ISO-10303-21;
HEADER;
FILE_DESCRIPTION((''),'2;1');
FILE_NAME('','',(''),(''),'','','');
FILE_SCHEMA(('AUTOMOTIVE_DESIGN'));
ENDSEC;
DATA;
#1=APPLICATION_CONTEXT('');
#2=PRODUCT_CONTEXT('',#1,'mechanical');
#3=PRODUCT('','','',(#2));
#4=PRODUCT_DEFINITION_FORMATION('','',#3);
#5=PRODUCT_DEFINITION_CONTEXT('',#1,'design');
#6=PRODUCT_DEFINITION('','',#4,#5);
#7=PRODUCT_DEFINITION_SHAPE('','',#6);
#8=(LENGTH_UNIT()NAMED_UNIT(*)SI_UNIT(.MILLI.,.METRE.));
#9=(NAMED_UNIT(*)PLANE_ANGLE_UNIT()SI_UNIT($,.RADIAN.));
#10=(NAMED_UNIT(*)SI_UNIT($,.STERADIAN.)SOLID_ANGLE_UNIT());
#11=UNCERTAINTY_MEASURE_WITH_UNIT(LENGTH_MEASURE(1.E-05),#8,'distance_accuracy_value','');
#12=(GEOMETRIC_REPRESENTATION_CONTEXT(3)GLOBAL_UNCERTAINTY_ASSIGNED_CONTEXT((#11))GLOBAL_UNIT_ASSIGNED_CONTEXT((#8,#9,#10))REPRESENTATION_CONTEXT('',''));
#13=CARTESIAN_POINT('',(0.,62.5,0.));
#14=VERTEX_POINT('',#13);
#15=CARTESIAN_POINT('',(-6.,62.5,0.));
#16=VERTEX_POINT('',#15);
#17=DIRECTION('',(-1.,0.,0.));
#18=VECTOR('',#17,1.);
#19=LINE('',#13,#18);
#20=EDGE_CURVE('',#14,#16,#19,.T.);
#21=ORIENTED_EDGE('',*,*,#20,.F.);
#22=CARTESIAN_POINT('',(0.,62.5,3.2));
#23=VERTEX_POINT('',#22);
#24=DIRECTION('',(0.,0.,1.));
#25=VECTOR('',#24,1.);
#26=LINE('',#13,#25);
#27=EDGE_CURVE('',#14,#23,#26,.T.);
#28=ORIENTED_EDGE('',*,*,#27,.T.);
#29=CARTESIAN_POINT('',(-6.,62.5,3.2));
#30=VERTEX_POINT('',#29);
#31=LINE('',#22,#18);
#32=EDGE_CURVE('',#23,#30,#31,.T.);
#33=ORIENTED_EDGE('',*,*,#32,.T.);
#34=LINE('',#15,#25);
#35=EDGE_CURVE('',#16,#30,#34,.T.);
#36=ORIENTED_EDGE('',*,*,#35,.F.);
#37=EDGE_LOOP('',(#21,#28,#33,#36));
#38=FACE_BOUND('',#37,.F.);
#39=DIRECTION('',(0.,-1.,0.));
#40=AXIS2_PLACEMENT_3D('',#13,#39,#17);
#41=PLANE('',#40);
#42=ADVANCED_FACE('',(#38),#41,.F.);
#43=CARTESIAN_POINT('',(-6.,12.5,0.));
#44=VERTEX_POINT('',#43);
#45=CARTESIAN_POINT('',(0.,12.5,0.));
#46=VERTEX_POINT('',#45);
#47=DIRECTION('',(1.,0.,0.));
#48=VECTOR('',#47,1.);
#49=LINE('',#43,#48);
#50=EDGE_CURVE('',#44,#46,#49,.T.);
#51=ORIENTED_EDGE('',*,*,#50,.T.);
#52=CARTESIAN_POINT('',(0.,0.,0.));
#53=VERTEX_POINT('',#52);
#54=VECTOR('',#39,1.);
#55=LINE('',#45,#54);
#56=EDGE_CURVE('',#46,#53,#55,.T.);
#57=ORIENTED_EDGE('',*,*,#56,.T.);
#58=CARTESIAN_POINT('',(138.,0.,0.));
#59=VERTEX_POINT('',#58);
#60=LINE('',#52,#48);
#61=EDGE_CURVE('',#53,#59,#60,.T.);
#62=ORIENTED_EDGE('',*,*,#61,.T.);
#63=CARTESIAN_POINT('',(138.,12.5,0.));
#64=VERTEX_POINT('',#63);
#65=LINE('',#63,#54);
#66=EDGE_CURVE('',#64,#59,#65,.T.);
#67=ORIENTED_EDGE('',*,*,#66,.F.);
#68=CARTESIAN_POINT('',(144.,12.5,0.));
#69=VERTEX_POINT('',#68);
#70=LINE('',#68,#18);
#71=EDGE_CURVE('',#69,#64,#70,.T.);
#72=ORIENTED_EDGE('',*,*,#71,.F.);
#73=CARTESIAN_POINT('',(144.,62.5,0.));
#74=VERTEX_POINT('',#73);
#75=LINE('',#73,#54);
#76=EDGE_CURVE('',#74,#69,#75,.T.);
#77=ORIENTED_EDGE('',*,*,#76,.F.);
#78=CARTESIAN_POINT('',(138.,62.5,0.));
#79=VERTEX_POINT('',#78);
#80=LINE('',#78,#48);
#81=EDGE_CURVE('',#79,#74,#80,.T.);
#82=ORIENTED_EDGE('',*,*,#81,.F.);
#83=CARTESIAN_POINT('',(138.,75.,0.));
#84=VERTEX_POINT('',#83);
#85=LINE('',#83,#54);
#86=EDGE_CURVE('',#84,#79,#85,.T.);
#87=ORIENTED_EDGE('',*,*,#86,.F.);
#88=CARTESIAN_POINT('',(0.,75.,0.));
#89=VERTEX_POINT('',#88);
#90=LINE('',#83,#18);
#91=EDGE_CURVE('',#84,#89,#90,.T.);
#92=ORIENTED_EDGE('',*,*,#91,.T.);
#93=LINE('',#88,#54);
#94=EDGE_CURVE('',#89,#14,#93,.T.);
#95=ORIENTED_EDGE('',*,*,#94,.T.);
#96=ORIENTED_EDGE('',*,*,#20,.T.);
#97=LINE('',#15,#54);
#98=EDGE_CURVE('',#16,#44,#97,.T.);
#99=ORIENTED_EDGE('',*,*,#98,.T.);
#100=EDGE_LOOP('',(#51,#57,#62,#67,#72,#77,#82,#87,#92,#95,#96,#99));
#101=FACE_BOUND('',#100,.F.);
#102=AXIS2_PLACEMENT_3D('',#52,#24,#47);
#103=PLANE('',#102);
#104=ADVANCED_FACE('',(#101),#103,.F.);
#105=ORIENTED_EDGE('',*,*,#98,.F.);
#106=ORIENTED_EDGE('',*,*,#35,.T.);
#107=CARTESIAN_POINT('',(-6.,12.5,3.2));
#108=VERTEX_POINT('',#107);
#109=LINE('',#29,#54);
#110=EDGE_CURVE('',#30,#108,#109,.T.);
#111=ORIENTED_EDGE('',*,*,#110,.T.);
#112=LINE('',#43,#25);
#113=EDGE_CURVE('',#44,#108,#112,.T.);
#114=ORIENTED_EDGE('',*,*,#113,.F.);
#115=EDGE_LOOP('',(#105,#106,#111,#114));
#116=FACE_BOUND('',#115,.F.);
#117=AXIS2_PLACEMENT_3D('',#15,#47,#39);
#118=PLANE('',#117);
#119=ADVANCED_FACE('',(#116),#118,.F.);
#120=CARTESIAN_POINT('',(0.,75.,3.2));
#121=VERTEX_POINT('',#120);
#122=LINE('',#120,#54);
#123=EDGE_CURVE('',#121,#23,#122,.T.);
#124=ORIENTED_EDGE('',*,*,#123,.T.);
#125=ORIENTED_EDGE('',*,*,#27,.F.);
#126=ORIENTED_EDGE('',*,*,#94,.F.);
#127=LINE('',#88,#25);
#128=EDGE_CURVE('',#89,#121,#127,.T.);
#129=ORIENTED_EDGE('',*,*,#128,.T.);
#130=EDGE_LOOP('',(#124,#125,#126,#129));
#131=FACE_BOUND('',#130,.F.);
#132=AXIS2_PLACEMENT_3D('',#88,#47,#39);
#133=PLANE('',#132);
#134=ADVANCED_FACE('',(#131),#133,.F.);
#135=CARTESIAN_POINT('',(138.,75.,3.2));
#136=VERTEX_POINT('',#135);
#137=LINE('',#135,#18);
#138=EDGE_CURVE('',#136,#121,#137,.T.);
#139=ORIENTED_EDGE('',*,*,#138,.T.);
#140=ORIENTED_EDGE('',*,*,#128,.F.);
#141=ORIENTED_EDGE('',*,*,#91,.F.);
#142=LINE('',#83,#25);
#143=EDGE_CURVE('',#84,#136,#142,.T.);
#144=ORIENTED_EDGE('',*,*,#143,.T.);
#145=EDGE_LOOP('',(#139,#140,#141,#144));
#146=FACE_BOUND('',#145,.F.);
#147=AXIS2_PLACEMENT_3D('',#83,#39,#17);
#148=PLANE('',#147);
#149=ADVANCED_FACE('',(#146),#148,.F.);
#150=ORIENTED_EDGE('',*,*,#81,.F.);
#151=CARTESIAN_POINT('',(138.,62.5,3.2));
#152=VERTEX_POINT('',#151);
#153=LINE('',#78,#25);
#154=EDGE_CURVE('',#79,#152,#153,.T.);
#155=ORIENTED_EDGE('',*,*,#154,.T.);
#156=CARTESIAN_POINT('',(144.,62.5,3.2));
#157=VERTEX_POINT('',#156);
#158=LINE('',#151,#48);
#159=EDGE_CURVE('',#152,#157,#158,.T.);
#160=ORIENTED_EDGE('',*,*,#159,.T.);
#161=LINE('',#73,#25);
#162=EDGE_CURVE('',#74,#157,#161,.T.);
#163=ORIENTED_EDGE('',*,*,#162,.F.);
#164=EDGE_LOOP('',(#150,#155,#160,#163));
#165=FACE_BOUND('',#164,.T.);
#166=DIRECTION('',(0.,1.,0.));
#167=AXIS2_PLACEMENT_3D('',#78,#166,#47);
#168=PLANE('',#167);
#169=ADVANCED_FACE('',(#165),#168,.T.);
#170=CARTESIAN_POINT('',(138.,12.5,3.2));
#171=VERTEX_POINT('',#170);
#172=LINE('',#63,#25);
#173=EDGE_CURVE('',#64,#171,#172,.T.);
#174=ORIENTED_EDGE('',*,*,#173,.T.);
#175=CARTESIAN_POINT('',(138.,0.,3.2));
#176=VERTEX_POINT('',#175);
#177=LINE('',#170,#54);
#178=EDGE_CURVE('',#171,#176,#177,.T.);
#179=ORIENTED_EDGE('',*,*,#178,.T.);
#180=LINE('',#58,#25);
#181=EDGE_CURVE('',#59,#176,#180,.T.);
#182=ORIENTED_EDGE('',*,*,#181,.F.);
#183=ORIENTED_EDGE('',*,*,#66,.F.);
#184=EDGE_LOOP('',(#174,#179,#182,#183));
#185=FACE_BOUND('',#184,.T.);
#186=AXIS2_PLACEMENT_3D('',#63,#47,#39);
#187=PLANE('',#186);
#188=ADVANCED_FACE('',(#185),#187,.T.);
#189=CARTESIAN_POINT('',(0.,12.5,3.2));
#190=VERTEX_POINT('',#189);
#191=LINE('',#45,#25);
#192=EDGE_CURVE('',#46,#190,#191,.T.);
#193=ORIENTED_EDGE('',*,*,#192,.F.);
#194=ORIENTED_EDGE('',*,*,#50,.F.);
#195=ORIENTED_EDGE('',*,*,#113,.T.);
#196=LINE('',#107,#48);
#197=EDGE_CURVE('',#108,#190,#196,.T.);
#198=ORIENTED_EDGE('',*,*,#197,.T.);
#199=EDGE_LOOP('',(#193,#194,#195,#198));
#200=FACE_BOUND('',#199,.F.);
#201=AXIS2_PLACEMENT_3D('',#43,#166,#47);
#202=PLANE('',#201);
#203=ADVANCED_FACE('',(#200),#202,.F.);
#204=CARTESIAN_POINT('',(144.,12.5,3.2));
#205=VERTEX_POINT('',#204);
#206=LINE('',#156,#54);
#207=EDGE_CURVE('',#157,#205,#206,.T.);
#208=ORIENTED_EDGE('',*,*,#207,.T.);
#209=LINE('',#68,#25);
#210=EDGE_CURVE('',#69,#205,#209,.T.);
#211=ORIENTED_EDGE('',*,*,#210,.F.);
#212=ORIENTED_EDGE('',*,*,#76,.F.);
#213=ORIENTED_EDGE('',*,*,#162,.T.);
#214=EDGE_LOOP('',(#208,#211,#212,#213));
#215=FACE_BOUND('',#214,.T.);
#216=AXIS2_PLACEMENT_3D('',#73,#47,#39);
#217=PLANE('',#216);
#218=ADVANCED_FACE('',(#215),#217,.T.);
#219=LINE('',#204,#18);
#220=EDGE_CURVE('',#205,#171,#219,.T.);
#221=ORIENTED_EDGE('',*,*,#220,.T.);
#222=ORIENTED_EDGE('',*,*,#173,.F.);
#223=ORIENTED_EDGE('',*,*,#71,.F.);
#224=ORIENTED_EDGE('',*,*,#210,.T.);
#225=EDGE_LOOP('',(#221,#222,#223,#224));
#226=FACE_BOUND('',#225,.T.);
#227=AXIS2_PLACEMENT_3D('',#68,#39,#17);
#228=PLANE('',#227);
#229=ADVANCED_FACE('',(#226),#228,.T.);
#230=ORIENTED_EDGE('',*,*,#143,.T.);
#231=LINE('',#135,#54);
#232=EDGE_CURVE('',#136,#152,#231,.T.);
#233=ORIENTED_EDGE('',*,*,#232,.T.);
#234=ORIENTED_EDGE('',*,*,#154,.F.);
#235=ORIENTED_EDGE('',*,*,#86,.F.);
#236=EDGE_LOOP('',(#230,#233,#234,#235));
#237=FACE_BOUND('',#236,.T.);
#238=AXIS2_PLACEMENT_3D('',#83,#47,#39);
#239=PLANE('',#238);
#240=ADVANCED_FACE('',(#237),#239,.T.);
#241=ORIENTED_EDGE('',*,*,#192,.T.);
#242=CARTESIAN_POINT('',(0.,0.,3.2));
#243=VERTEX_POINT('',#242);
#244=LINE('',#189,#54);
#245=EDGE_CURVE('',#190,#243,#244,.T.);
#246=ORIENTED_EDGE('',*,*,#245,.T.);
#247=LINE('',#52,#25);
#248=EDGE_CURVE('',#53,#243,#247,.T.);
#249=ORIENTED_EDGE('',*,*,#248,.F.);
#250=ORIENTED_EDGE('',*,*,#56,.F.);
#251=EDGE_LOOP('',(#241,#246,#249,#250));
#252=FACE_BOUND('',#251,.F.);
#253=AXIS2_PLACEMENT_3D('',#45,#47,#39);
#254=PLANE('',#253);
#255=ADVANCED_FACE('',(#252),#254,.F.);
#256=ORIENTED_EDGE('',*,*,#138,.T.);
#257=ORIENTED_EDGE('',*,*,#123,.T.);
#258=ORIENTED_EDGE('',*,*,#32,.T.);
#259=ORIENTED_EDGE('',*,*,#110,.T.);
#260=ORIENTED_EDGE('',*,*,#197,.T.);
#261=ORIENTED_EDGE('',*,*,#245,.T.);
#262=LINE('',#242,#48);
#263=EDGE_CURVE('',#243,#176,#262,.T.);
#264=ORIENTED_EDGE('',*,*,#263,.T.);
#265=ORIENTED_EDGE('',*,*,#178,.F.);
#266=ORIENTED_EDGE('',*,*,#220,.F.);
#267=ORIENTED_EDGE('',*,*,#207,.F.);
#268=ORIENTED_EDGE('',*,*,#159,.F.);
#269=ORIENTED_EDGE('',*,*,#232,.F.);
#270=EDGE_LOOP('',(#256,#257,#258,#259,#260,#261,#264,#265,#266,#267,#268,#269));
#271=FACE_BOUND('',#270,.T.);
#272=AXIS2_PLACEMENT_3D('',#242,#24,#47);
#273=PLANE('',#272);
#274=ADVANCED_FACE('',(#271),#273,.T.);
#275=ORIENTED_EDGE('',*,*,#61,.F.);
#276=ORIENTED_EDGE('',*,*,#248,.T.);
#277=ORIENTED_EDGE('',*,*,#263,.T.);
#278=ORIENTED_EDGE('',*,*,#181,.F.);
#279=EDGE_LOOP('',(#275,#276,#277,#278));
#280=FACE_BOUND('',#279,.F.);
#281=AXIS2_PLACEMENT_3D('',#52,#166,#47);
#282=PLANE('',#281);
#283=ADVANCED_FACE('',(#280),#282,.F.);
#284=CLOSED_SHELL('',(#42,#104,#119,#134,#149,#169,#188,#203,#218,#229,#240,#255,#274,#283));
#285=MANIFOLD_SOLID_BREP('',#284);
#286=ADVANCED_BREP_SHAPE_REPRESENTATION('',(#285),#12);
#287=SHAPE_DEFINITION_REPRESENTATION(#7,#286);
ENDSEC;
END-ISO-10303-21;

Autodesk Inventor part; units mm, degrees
ref_plane "YZ Plane" through (0, 0, 0) normal (1, 0, 0) x (0, 1, 0)
ref_plane "XZ Plane" through (0, 0, 0) normal (0, 1, 0) x (-1, 0, 0)
ref_plane "XY Plane" through (0, 0, 0) normal (0, 0, 1) x (1, 0, 0)
sketch "Sketch1" plane through (0, 0, 0) normal (0, 0, 1) x (1, 0, 0)
  line L0 (0, 0) -> (138, 0)
  line L1 (138, 75) -> (0, 75)
  line L2 (0, 75) -> (0, 62.5)
  line L3 (0, 62.5) -> (-6, 62.5)
  line L4 (-6, 62.5) -> (-6, 12.5)
  line L5 (-6, 12.5) -> (0, 12.5)
  line L6 (0, 12.5) -> (0, 0)
  line L7 (138, 75) -> (138, 62.5)
  line L8 (138, 62.5) -> (144, 62.5)
  line L9 (144, 62.5) -> (144, 12.5)
  line L10 (144, 12.5) -> (138, 12.5)
  line L11 (138, 12.5) -> (138, 0)
  dimension "d0" = 75
  dimension "d1" = 138
  dimension "d2" = 50
  dimension "d3" = 50
  dimension "d4" = 12.5
  dimension "d5" = 12.5
  dimension "d10" = 6
  dimension "d11" = 6
extrude "Extrusion1" add sketch "Sketch1" along normal blind 3.2
equation "\"d5\" = d4"
equation "\"d11\" = d10"
properties part number "Base"
